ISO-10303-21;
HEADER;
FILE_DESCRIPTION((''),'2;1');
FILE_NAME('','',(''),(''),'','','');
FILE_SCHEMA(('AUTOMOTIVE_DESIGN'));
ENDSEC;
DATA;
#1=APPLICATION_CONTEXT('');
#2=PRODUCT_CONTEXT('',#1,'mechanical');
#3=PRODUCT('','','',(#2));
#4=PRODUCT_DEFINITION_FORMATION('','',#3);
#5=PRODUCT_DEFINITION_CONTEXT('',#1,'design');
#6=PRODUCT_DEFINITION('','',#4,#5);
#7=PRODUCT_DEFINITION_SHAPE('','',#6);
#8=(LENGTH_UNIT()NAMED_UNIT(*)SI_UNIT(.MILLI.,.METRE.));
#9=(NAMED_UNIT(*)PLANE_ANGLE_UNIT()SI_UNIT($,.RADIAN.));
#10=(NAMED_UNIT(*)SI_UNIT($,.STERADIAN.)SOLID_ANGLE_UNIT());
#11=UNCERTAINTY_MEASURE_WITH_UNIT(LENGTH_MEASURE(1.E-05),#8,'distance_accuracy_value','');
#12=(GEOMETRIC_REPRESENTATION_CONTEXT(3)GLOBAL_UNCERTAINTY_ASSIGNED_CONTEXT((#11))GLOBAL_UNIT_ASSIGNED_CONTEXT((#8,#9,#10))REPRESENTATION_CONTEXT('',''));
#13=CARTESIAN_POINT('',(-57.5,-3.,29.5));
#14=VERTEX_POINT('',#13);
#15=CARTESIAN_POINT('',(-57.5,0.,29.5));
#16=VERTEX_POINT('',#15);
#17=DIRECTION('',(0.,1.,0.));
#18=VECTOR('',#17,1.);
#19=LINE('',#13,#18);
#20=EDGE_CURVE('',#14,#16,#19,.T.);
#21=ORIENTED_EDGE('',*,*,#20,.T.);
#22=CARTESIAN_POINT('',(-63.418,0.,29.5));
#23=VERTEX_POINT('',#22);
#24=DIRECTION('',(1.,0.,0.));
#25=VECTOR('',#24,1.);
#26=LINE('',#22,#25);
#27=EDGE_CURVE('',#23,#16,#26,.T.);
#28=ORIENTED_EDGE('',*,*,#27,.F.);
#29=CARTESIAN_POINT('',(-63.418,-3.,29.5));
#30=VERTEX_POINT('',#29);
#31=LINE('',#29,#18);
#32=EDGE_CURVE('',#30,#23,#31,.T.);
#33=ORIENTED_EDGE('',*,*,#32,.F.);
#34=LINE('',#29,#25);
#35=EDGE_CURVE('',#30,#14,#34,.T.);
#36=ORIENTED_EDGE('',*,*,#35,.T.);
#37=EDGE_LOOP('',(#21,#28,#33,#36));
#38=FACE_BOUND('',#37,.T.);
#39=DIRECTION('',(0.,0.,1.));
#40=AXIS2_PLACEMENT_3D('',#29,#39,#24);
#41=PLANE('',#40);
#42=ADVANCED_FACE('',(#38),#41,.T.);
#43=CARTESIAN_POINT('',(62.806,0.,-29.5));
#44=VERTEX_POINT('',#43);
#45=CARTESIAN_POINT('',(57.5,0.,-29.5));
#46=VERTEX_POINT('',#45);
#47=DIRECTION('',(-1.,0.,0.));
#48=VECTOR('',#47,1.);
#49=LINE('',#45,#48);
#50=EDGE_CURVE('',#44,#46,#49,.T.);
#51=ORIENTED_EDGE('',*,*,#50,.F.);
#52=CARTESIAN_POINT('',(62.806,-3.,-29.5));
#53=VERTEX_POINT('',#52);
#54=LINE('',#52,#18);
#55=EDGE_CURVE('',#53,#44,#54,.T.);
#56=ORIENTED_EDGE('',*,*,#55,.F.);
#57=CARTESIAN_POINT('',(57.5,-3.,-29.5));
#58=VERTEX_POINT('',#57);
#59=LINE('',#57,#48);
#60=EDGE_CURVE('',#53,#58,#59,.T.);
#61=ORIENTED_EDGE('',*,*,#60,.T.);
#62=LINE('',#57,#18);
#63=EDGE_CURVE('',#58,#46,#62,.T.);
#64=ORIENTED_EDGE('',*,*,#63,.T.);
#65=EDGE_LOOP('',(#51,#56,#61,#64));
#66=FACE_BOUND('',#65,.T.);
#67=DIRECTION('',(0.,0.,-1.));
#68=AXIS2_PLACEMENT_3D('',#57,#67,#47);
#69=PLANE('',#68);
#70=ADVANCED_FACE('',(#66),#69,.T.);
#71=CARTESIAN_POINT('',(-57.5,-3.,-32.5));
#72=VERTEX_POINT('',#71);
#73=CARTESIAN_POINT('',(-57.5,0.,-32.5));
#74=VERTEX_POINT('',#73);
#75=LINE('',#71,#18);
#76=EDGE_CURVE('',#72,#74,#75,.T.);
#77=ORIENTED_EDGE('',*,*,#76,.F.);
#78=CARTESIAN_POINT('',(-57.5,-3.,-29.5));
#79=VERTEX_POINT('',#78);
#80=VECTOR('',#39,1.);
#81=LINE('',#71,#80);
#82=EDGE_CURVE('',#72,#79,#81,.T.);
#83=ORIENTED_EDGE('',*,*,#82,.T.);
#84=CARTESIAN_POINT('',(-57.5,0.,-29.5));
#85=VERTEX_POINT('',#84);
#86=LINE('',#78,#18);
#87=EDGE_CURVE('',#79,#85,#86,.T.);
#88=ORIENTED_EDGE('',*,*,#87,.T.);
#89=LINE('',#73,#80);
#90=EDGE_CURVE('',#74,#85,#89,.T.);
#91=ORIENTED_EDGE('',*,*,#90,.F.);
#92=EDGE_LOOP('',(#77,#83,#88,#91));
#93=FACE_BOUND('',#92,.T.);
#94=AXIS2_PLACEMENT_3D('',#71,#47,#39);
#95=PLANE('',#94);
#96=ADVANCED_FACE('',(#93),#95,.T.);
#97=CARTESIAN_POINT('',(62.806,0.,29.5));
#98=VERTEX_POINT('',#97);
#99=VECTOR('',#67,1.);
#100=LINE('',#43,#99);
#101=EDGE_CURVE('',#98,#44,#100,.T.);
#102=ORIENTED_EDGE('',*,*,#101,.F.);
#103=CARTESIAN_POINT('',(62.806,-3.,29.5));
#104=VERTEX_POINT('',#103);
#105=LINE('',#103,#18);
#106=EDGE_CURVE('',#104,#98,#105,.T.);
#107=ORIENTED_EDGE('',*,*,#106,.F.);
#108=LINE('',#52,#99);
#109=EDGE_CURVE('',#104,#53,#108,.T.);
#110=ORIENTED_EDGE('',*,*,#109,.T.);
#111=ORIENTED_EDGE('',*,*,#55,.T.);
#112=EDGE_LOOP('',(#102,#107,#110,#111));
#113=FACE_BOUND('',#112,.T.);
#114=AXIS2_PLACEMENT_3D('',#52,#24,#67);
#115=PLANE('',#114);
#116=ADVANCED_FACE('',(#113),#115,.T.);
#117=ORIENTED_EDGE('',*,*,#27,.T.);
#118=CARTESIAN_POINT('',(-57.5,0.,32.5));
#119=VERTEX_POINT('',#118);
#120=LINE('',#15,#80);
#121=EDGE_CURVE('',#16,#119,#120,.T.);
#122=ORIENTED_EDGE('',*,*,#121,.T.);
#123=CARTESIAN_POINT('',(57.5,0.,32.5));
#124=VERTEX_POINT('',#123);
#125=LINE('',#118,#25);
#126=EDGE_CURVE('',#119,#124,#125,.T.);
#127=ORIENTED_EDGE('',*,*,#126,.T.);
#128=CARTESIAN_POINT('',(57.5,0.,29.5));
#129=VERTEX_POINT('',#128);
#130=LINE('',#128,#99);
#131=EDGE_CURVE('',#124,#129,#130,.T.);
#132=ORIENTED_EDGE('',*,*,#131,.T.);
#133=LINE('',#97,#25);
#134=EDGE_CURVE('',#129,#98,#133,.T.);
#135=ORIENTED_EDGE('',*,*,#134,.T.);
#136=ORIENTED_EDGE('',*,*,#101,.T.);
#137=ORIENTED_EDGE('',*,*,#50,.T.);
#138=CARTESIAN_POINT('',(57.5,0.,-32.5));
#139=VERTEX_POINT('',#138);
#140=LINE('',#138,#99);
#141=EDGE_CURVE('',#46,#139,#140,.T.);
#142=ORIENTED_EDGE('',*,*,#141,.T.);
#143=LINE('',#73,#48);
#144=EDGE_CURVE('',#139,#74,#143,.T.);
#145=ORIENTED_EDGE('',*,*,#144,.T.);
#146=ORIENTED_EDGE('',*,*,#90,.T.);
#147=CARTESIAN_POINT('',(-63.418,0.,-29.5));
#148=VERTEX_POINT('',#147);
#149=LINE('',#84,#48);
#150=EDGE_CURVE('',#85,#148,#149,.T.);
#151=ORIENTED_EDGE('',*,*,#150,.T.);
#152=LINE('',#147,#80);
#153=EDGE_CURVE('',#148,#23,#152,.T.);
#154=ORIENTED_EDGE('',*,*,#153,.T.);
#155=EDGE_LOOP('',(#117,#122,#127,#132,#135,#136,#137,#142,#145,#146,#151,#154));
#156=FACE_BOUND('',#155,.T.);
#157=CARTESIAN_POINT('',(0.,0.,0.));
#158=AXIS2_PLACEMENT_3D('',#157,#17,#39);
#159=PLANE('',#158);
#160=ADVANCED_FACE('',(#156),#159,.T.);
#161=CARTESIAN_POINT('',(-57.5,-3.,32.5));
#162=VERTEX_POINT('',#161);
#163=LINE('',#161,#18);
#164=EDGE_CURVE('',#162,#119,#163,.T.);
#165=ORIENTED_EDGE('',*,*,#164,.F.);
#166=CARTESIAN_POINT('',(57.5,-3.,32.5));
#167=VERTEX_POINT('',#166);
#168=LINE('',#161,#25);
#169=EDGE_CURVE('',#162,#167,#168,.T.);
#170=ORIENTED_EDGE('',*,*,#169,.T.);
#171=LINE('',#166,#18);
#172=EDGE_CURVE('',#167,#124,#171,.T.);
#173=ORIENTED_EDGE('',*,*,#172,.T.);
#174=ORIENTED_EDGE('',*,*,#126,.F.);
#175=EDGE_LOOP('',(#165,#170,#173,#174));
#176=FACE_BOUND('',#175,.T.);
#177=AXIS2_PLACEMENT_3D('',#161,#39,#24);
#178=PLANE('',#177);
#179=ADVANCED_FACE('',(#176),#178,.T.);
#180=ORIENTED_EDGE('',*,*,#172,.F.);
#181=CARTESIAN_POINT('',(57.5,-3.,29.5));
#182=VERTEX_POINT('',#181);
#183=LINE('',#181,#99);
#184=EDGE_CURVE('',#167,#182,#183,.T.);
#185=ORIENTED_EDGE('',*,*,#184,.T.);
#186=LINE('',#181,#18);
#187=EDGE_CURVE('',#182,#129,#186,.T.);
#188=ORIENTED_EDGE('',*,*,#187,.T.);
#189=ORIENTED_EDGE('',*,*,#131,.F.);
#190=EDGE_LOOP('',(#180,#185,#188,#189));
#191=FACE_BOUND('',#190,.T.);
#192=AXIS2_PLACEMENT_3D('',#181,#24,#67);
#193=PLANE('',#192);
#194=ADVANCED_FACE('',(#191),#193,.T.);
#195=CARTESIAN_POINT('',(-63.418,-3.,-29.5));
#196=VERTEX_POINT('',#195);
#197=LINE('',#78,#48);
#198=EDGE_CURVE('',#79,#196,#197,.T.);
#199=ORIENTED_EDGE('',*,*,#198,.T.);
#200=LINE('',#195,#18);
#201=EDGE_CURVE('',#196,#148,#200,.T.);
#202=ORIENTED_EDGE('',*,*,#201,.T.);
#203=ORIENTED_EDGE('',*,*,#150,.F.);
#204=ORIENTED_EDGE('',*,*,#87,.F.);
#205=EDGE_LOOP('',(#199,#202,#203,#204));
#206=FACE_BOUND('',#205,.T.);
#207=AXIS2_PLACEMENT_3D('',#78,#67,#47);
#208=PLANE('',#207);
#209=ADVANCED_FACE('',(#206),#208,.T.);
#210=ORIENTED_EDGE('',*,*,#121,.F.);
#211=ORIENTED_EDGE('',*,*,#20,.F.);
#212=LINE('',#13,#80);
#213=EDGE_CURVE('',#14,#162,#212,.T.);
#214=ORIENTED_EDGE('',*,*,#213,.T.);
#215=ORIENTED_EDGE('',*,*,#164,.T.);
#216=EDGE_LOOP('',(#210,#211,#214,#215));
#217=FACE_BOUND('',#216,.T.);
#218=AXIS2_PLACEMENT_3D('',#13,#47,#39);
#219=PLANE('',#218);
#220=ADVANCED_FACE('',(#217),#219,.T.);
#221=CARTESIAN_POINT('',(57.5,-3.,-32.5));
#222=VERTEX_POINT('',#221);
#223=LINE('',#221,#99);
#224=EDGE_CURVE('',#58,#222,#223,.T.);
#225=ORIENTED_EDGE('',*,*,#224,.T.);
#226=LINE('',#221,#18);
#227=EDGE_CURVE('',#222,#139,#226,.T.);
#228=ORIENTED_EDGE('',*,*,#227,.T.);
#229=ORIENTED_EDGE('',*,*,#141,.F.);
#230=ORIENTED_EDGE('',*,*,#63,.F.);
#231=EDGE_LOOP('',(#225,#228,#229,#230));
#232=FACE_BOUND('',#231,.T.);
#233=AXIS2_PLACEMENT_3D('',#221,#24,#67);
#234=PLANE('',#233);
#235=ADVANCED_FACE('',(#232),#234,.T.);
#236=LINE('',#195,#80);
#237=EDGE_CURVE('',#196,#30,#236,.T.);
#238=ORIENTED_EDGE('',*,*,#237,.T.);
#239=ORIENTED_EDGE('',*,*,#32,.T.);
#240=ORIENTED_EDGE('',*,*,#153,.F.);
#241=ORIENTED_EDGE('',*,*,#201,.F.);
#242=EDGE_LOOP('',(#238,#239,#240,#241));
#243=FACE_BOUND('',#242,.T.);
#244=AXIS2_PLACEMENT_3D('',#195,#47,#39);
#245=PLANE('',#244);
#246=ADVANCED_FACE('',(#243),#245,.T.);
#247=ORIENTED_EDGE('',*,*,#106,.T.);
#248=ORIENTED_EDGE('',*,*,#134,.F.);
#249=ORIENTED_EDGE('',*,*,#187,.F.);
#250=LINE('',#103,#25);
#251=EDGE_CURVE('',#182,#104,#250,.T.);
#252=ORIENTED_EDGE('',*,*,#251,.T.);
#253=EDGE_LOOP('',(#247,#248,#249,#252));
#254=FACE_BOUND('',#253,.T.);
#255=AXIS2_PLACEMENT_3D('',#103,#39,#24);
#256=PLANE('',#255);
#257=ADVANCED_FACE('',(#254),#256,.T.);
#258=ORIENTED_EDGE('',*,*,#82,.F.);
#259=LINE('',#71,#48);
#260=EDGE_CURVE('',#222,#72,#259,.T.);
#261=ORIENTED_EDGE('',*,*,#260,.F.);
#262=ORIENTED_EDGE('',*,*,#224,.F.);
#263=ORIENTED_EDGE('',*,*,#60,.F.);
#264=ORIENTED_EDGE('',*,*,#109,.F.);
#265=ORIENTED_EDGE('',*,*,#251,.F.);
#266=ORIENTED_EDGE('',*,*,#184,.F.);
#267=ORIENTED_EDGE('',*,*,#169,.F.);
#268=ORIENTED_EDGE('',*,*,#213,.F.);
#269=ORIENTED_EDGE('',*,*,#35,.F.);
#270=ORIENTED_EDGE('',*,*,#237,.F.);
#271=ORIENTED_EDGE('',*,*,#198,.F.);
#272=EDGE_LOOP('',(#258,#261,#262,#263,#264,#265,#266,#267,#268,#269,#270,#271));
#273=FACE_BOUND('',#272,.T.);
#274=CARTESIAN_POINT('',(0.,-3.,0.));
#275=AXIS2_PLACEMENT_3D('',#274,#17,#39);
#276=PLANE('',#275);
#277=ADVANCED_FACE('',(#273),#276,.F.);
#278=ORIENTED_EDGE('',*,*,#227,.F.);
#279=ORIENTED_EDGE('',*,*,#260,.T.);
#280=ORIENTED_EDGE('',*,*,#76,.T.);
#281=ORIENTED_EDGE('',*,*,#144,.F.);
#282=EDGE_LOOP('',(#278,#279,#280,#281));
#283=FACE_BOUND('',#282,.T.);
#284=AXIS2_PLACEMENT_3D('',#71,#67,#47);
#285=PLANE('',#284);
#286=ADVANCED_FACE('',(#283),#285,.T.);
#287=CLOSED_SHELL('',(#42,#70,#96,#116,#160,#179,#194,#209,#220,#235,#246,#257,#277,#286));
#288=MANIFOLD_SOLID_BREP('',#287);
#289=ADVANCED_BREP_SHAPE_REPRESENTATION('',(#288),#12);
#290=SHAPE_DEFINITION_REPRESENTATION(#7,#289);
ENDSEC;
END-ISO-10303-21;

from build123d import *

# Parameters (mm, degrees)
BOSS_EXTRUDE1_DEPTH = 3


with BuildPart() as part:
    # Sketch1 → Boss-Extrude1 (new body)
    with BuildSketch(Plane(origin=(0, 0, 0), x_dir=(1, 0, 0), z_dir=(0, 1, 0))):
        Polygon((-57.5, 29.5), (-63.418, 29.5), (-63.418, -29.5), (-57.5, -29.5), (-57.5, -32.5), (57.5, -32.5), (57.5, -29.5), (62.806, -29.5), (62.806, 29.5), (57.5, 29.5), (57.5, 32.5), (-57.5, 32.5), align=None)
    extrude(amount=-BOSS_EXTRUDE1_DEPTH)


solid = part.part
